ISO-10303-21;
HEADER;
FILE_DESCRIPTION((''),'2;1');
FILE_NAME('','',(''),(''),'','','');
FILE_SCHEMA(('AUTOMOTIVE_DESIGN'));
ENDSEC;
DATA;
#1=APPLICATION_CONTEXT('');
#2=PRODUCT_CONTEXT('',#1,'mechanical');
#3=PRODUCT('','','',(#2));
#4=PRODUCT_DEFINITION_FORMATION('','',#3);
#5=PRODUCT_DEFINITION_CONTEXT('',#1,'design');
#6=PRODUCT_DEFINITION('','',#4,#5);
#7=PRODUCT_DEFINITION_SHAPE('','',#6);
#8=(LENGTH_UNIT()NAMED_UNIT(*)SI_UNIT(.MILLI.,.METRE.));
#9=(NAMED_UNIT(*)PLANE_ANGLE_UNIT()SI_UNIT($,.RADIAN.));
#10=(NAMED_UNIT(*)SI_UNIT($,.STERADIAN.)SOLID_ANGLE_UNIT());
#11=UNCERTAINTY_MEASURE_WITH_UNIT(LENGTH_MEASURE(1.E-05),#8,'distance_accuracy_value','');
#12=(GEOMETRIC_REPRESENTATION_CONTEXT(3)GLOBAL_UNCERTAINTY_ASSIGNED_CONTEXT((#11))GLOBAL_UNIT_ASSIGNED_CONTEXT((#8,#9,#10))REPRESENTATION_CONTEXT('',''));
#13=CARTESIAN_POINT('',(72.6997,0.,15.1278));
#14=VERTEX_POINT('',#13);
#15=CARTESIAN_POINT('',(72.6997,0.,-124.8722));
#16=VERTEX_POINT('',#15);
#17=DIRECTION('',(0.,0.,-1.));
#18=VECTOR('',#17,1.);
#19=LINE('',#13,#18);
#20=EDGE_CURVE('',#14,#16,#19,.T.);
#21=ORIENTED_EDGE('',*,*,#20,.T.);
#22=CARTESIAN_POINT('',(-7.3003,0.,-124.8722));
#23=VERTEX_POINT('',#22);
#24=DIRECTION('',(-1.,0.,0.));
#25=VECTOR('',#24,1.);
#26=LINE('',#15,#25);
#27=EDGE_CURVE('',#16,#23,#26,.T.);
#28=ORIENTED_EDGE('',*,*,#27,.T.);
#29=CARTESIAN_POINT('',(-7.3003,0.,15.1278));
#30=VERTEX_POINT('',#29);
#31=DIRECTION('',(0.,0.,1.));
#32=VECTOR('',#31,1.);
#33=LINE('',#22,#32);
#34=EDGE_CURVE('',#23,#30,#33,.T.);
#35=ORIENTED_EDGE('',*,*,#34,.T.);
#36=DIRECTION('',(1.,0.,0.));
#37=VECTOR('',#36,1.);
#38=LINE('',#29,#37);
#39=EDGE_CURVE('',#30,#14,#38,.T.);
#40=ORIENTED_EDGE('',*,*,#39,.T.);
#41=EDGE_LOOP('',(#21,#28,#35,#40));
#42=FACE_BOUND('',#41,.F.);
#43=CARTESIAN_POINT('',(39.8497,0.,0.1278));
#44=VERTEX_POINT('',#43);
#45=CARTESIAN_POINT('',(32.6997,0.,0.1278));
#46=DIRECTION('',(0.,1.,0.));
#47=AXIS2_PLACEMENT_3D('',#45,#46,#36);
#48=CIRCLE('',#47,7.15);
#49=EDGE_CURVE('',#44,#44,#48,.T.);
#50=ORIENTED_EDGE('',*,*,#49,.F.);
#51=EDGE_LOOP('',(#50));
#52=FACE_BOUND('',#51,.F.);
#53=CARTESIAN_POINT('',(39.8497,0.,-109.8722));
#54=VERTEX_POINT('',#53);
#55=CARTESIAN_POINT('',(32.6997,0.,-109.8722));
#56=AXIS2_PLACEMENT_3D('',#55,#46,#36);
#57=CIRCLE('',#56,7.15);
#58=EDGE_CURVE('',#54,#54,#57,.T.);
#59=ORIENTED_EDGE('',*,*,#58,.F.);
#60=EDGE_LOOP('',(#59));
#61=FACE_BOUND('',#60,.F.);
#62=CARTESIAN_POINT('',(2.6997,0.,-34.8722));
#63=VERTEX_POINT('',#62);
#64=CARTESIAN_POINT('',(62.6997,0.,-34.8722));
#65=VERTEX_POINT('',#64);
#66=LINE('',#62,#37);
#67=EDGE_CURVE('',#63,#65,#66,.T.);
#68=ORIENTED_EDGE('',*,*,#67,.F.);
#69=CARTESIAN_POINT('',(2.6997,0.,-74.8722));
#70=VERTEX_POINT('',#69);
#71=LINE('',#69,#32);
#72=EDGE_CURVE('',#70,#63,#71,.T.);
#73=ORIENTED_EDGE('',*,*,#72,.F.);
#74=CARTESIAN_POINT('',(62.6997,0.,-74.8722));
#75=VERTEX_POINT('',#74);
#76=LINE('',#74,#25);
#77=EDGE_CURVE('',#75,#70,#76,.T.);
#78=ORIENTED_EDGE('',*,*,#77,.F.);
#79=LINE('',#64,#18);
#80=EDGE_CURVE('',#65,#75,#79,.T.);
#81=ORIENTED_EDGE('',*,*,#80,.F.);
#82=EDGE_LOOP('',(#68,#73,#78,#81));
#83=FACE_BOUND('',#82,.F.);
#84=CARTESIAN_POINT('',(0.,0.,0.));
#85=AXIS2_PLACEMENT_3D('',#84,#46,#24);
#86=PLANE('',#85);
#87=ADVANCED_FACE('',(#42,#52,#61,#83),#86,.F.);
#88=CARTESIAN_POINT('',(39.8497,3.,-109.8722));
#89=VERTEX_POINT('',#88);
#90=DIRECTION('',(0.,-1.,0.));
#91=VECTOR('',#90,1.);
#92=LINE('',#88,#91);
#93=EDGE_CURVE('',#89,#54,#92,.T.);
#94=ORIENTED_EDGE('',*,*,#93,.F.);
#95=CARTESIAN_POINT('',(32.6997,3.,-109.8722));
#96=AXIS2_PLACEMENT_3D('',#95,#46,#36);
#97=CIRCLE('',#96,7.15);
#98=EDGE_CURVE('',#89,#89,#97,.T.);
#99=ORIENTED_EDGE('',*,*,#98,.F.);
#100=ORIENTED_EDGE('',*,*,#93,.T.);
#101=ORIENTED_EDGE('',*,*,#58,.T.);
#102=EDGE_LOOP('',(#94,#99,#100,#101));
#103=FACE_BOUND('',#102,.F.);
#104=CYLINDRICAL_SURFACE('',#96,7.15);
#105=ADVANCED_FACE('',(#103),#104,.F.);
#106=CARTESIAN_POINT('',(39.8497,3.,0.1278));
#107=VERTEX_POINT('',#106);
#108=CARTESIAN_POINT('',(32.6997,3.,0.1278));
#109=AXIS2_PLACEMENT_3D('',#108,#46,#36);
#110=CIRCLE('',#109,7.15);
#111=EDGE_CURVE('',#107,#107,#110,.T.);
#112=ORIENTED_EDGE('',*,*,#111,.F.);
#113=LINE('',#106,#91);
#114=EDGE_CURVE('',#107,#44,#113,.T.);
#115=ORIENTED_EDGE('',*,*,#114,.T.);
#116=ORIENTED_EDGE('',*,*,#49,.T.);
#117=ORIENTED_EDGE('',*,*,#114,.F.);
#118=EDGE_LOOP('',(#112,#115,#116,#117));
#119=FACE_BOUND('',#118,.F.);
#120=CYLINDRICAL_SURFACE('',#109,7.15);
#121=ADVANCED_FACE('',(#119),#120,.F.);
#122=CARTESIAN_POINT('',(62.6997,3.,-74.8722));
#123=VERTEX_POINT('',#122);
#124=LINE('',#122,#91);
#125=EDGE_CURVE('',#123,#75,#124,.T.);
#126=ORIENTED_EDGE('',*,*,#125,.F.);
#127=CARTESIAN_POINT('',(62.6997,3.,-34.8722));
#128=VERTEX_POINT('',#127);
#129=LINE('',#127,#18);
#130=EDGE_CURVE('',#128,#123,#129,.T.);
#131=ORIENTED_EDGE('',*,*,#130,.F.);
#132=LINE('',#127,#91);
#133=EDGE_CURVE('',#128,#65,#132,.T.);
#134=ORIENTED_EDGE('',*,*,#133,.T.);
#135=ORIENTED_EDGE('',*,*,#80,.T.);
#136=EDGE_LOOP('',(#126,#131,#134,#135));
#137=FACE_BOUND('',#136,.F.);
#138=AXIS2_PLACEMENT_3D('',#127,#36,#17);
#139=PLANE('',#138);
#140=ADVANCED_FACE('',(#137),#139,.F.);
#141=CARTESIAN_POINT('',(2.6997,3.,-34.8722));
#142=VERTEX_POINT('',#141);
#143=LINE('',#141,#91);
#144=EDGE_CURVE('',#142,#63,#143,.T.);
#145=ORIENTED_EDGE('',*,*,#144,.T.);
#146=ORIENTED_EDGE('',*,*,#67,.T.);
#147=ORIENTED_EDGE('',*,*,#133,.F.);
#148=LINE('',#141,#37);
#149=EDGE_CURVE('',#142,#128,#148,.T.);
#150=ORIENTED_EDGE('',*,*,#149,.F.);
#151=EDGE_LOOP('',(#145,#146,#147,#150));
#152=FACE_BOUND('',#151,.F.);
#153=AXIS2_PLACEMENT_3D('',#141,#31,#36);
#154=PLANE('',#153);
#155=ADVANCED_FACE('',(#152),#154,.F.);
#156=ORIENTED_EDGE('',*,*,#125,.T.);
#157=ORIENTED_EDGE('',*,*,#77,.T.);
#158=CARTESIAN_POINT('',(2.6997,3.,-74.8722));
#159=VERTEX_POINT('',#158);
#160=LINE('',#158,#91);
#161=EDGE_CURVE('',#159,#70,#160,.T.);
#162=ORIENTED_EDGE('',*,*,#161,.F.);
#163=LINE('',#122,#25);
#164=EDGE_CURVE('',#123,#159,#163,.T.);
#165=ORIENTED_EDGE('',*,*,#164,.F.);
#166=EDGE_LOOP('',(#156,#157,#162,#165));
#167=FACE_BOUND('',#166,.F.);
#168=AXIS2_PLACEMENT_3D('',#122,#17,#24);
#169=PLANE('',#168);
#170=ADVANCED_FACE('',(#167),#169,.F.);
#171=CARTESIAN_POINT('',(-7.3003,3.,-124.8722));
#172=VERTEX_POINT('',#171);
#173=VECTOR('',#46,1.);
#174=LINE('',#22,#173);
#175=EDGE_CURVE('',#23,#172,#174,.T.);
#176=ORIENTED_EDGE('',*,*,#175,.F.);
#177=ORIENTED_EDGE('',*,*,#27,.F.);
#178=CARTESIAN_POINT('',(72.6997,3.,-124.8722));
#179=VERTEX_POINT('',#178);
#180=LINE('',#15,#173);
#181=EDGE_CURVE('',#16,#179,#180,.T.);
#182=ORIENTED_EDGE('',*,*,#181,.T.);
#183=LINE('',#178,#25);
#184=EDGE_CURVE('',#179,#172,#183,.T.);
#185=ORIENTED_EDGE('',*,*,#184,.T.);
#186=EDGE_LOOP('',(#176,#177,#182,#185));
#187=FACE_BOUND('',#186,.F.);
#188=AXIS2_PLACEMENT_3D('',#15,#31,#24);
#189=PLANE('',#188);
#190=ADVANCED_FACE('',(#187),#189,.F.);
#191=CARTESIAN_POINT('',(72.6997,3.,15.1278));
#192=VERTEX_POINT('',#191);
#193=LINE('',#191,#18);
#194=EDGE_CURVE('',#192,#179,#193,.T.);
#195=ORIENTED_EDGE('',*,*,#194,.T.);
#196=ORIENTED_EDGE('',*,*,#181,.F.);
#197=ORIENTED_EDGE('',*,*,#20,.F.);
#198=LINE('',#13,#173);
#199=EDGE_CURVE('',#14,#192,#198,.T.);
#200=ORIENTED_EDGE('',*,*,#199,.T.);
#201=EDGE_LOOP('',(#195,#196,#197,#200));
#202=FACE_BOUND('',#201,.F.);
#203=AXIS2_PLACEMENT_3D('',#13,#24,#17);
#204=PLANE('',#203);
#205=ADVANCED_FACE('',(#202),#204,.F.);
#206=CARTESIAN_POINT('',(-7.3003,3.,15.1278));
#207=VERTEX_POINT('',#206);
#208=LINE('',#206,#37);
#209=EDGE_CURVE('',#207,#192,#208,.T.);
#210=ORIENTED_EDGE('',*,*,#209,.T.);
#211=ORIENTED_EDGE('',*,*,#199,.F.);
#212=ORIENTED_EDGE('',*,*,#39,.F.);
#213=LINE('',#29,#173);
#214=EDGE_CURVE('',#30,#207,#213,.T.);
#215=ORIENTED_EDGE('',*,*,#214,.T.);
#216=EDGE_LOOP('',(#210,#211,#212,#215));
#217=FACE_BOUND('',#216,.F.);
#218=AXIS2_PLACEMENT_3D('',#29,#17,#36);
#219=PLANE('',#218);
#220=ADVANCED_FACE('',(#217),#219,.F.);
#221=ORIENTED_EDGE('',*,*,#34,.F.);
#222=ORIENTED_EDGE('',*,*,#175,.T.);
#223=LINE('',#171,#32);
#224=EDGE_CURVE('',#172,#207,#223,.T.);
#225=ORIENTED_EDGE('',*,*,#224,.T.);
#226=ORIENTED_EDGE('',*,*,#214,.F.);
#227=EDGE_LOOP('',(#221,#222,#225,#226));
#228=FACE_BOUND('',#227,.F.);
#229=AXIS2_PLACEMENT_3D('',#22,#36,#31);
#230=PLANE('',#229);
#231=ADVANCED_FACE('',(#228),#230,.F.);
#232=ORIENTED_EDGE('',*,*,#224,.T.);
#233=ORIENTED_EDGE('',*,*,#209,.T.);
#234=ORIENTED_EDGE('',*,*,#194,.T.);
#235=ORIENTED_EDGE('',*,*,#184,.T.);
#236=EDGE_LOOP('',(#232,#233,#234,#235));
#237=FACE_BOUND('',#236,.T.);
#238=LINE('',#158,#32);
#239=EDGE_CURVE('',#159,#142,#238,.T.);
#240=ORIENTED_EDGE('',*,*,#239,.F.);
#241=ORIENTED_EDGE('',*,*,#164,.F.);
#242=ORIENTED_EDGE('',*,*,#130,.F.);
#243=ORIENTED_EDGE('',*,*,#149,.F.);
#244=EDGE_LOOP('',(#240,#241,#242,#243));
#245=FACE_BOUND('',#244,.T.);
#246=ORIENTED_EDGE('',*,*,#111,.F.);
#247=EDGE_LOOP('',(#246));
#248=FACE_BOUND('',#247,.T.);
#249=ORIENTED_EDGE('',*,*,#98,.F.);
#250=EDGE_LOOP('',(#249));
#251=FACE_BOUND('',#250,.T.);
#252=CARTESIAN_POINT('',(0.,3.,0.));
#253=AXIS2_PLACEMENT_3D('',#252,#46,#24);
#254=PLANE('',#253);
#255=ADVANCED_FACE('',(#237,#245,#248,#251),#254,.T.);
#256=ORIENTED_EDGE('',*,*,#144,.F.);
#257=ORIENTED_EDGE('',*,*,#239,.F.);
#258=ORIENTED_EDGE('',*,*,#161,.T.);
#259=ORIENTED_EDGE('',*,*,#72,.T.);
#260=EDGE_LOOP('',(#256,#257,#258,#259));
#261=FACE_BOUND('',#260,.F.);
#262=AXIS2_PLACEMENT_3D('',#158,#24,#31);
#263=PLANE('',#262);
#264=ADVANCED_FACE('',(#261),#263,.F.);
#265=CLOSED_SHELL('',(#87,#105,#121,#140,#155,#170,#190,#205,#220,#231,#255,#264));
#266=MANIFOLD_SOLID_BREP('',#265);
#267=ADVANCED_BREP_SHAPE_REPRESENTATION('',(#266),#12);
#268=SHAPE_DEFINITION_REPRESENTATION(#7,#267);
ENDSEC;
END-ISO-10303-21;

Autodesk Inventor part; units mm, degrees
ref_plane "YZ Plane" through (0, 0, 0) normal (1, 0, 0) x (0, 1, 0)
ref_plane "XZ Plane" through (0, 0, 0) normal (0, 1, 0) x (-1, 0, 0)
ref_plane "XY Plane" through (0, 0, 0) normal (0, 0, 1) x (1, 0, 0)
sketch "スケッチ1" plane through (0, 0, 0) normal (0, 1, 0) x (-1, 0, 0)
  line L0 (7.3003, 15.1278) -> (-72.6997, 15.1278)
  line L1 (-72.6997, 15.1278) -> (-72.6997, -124.8722)
  line L2 (-72.6997, -124.8722) -> (7.3003, -124.8722)
  line L3 (7.3003, -124.8722) -> (7.3003, 15.1278)
  point P0 (0, 0)
  dimension "d0" = 80
  dimension "d1" = 140
extrude "押し出し1" add sketch "スケッチ1" along normal blind 3
sketch "スケッチ2" plane through (0, 3, 0) normal (0, 1, 0) x (1, 0, 0)
  line L0 (2.6997, 34.8722) -> (62.6997, 34.8722)
  line L1 (62.6997, 34.8722) -> (62.6997, 74.8722)
  line L2 (62.6997, 74.8722) -> (2.6997, 74.8722)
  line L3 (2.6997, 74.8722) -> (2.6997, 34.8722)
  circle A0 centre (32.6997, -0.1278) radius 7.15
  circle A1 centre (32.6997, 109.8722) radius 7.15
  line L4 (-7.3003, -15.1278) -> (72.6997, -15.1278) projected
  line L5 (72.6997, 124.8722) -> (-7.3003, 124.8722) projected
  line L6 (-7.3003, 124.8722) -> (-7.3003, -15.1278) projected
  point P0 (0, 0)
  dimension "d4" = 60
  dimension "d5" = 40
  dimension "d6" = 14.3
  dimension "d7" = 14.3
  dimension "d8" = 15
  dimension "d9" = 15
  dimension "d10" = 40
  dimension "d11" = 40
  dimension "d12" = 10
  dimension "d13" = 50
extrude "押し出し2" cut sketch "スケッチ2" against normal blind 3
equation "\"BendRadius\" = Thickness"
equation "\"BendReliefWidth\" = Thickness"
equation "\"BendReliefDepth\" = 0.5 * Thickness"
equation "\"CornerReliefSize\" = 4 * Thickness"
equation "\"MinimumRemnant\" = 2 * Thickness"
equation "\"TransitionRadius\" = BendRadius"
equation "\"JacobiRadiusSize\" = BendRadius"
equation "\"GapSize\" = Thickness"
equation "\"Thickness\" = 0.5"
properties part number "came2"
